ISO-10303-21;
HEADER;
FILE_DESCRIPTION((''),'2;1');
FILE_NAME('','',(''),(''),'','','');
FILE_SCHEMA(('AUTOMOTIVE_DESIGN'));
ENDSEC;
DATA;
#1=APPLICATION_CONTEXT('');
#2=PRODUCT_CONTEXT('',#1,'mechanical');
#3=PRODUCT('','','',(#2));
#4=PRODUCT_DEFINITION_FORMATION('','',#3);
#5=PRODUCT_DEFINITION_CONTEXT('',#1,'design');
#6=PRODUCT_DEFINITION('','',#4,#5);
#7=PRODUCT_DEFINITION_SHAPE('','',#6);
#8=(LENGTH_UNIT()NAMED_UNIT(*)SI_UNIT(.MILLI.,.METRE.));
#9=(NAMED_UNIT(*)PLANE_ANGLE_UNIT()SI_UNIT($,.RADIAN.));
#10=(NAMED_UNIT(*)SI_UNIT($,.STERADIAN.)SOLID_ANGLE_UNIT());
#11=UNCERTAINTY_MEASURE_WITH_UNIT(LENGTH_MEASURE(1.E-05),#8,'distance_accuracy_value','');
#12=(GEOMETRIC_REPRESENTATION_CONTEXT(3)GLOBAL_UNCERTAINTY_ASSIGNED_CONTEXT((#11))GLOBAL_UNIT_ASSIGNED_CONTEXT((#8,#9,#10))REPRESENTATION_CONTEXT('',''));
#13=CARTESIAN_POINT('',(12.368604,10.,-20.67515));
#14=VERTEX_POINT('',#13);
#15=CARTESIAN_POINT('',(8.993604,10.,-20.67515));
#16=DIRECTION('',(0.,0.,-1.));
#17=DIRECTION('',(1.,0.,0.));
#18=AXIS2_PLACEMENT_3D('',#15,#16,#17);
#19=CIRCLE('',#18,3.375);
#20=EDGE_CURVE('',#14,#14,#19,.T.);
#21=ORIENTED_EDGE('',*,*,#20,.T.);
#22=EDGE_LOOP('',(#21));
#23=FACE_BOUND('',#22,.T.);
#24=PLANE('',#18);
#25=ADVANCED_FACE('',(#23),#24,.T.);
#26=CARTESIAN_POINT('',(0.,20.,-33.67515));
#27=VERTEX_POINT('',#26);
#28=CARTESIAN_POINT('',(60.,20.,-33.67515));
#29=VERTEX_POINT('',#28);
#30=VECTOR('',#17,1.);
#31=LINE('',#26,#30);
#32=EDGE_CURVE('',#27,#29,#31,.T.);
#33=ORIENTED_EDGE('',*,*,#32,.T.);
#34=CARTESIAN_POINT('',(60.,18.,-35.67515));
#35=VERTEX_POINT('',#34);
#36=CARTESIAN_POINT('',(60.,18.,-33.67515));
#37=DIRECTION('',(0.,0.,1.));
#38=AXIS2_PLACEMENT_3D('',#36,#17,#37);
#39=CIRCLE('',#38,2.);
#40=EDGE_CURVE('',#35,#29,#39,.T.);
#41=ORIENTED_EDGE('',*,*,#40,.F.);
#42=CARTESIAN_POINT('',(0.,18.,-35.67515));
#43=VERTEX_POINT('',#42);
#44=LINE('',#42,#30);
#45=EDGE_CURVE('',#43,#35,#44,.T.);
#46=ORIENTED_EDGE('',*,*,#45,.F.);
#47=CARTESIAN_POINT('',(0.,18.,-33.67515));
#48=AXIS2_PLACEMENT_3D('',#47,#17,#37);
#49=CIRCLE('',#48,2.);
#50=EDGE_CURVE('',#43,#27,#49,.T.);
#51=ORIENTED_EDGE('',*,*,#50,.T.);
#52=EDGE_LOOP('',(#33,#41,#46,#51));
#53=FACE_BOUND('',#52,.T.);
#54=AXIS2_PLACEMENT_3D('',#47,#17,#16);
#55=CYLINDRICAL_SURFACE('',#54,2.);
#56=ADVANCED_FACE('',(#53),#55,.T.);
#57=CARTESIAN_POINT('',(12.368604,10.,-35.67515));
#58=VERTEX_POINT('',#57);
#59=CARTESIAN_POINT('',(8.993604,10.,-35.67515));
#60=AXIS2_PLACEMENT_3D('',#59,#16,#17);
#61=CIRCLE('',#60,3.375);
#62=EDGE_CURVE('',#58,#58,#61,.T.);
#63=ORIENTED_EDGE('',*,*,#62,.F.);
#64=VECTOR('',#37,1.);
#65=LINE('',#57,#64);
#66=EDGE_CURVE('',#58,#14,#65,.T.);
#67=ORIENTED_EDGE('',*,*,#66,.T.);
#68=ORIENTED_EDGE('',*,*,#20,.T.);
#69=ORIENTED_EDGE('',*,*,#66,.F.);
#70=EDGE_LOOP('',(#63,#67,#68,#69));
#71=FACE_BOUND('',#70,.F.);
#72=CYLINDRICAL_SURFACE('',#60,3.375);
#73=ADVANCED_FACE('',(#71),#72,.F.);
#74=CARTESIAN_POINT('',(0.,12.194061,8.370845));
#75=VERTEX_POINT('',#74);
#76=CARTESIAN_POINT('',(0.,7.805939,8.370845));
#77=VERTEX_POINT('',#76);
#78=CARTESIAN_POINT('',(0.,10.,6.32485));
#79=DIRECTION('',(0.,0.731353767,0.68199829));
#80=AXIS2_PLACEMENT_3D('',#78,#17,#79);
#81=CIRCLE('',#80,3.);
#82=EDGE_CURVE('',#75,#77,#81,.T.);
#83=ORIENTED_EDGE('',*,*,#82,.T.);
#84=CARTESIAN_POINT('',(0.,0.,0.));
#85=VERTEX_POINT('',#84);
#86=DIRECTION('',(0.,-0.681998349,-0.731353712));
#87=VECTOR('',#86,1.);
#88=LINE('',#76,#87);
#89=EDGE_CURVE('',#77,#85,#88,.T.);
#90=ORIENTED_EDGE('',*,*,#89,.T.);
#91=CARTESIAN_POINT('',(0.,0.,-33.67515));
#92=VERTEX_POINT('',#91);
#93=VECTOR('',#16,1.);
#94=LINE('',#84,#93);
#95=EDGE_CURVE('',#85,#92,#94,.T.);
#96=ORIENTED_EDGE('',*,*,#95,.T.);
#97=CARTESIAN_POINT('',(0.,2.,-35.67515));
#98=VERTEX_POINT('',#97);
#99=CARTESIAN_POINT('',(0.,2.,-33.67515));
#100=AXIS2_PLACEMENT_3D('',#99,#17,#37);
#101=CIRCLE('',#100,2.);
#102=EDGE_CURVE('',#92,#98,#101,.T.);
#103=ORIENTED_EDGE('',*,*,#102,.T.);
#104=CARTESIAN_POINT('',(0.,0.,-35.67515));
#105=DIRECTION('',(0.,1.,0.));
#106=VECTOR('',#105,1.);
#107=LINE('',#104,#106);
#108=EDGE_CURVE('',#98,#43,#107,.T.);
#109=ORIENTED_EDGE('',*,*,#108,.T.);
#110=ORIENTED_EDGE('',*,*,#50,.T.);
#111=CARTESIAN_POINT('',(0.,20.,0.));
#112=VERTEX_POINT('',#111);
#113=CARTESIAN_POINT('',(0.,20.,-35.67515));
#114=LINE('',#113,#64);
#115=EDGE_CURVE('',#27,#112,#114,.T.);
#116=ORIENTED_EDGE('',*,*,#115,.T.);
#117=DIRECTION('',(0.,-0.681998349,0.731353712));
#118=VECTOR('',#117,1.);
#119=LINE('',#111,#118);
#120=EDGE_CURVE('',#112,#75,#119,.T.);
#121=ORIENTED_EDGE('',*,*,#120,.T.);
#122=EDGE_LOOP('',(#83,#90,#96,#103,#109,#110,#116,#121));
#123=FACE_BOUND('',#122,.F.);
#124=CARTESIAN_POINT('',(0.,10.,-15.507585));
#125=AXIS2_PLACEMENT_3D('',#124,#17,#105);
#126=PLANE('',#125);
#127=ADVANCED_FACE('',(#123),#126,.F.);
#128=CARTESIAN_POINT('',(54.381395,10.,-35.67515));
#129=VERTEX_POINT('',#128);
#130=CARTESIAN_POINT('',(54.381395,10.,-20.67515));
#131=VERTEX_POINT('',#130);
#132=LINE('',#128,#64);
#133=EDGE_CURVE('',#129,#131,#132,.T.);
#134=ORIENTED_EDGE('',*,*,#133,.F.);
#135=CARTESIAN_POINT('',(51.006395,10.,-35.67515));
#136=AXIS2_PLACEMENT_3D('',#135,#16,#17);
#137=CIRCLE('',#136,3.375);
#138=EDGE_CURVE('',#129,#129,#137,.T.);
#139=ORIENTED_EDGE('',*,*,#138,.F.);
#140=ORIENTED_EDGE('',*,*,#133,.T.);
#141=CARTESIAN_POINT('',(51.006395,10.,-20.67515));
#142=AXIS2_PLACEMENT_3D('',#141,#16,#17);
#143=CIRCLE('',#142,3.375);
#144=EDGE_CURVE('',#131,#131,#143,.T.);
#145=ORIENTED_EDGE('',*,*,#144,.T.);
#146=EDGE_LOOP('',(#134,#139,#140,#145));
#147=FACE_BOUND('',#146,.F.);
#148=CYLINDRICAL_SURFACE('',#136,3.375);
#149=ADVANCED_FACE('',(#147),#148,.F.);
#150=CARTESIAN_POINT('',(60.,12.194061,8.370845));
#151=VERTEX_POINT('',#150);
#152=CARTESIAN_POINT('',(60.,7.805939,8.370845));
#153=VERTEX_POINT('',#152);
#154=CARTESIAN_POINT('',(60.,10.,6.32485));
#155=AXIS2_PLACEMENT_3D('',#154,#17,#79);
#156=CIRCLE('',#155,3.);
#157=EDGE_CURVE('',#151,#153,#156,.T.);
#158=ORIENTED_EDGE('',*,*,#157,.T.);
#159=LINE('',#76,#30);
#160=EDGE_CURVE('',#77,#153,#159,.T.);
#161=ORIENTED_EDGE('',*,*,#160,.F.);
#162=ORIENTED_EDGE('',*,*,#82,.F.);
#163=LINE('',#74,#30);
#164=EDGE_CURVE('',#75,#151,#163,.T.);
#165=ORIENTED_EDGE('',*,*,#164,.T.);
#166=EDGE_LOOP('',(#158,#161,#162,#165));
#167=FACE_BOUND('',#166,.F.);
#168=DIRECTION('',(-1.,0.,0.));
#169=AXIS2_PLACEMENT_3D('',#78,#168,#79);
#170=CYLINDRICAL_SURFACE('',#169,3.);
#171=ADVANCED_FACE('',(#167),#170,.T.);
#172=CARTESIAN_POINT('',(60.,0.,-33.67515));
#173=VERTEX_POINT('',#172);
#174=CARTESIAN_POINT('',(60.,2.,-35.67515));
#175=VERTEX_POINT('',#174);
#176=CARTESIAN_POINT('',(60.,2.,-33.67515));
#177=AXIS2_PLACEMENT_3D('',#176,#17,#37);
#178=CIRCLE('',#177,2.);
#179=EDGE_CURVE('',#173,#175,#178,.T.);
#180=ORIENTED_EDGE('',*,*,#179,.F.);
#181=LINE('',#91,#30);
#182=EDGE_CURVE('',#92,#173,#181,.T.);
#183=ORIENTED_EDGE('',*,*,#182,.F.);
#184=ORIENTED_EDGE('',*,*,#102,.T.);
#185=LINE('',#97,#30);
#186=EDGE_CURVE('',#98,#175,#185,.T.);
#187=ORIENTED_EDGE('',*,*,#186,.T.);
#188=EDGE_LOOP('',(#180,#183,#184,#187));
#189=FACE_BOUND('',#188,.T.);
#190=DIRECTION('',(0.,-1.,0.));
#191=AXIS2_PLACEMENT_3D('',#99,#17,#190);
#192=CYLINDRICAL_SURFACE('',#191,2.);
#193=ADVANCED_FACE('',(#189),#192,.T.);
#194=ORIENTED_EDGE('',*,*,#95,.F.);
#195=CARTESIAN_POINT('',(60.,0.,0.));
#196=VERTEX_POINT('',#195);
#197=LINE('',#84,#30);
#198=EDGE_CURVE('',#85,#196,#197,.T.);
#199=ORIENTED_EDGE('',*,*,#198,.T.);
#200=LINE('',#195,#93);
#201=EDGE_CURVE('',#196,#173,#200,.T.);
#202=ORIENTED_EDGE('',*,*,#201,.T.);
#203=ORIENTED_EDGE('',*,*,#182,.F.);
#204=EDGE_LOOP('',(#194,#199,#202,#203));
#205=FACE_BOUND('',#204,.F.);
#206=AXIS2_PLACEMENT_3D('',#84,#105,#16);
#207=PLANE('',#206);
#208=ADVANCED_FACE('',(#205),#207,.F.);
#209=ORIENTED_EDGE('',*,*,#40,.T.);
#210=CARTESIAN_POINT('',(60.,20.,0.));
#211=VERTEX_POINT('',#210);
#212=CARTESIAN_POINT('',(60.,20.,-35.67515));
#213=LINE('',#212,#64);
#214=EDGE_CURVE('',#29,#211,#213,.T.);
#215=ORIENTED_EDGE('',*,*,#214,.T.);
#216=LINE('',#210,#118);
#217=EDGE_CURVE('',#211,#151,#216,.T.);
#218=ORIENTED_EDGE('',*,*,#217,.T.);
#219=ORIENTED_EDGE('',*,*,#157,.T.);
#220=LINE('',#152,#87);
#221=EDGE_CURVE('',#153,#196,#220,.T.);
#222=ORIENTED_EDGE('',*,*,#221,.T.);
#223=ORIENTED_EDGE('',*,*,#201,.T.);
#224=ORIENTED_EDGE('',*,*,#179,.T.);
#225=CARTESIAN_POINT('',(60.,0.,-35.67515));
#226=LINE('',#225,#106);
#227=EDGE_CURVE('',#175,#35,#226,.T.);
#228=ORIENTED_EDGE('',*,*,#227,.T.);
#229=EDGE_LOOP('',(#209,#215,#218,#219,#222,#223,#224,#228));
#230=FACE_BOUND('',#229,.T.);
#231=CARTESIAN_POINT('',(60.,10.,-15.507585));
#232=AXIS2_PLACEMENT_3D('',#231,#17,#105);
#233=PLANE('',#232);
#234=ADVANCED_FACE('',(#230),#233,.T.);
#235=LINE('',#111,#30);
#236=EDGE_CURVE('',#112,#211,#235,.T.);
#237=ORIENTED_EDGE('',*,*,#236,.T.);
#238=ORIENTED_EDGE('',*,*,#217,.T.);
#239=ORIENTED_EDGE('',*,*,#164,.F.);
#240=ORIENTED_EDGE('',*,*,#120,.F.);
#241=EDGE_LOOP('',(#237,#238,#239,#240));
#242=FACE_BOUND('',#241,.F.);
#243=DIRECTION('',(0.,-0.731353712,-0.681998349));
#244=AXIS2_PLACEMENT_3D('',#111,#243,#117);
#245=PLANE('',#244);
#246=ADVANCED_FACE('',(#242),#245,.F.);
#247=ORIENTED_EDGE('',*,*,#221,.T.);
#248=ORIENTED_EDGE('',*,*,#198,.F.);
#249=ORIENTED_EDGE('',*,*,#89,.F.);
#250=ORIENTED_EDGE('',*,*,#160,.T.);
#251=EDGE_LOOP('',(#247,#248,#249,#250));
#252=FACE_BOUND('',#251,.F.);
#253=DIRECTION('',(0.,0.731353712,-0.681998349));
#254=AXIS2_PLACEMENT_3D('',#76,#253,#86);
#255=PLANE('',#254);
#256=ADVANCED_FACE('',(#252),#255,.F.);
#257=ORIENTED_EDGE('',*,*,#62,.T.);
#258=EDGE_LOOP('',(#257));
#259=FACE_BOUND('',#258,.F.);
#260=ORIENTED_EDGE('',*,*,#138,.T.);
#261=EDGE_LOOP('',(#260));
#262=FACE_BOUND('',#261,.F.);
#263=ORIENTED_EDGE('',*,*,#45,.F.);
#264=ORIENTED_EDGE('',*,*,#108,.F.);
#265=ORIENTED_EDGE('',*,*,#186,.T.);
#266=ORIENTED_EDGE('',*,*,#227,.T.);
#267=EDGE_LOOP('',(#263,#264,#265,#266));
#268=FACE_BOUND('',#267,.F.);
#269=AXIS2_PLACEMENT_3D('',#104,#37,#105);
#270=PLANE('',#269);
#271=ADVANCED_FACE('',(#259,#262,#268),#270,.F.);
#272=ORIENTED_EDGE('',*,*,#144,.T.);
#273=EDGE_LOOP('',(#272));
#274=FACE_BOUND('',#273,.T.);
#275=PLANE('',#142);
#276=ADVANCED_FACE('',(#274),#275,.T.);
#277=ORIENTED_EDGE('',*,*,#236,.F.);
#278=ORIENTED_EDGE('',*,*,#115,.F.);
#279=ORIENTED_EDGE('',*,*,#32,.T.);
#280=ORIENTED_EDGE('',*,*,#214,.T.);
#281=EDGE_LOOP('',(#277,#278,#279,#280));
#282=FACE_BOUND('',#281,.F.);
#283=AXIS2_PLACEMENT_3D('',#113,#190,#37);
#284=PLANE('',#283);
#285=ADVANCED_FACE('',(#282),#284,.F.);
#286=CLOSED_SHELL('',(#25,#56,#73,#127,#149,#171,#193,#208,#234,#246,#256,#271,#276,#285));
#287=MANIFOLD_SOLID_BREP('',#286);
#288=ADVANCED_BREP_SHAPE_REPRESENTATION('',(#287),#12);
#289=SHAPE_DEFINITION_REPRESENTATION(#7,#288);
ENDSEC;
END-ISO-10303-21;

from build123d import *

# Parameters (mm, degrees)
F1_DEPTH = 60
F2_R     = 3.375
F3_DEPTH = 15
F4_R     = 2


with BuildPart() as f1:
    # F0 (on Right) → F1 (new body)
    with BuildSketch(Plane.YZ):
        with BuildLine():
            Line((0, 0), (0, -35.67515))
            Line((0, -35.67515), (20, -35.67515))
            Line((20, -35.67515), (20, 0))
            Line((20, 0), (12.194061, 8.370845))
            ThreePointArc((12.194061, 8.370845), (10, 9.32485), (7.805939, 8.370845))
            Line((7.805939, 8.370845), (0, 0))
        make_face()
    extrude(amount=F1_DEPTH)

    # F2 (on face) → F3 (cut)
    with BuildSketch(Plane(origin=(0, 0, -35.67515), x_dir=(1, 0, 0), z_dir=(0, 0, -1))):
        with Locations((8.993604, -10)):
            Circle(F2_R)
        with Locations((51.006395, -10)):
            Circle(F2_R)
    extrude(amount=-F3_DEPTH, mode=Mode.SUBTRACT)

    # F4
    f4_edges = [f1.edges().sort_by_distance(p)[0] for p in [
        (30, 20, -35.67515),
        (30, 0, -35.67515),
    ]]
    fillet(f4_edges, radius=F4_R)


solid = f1.part
